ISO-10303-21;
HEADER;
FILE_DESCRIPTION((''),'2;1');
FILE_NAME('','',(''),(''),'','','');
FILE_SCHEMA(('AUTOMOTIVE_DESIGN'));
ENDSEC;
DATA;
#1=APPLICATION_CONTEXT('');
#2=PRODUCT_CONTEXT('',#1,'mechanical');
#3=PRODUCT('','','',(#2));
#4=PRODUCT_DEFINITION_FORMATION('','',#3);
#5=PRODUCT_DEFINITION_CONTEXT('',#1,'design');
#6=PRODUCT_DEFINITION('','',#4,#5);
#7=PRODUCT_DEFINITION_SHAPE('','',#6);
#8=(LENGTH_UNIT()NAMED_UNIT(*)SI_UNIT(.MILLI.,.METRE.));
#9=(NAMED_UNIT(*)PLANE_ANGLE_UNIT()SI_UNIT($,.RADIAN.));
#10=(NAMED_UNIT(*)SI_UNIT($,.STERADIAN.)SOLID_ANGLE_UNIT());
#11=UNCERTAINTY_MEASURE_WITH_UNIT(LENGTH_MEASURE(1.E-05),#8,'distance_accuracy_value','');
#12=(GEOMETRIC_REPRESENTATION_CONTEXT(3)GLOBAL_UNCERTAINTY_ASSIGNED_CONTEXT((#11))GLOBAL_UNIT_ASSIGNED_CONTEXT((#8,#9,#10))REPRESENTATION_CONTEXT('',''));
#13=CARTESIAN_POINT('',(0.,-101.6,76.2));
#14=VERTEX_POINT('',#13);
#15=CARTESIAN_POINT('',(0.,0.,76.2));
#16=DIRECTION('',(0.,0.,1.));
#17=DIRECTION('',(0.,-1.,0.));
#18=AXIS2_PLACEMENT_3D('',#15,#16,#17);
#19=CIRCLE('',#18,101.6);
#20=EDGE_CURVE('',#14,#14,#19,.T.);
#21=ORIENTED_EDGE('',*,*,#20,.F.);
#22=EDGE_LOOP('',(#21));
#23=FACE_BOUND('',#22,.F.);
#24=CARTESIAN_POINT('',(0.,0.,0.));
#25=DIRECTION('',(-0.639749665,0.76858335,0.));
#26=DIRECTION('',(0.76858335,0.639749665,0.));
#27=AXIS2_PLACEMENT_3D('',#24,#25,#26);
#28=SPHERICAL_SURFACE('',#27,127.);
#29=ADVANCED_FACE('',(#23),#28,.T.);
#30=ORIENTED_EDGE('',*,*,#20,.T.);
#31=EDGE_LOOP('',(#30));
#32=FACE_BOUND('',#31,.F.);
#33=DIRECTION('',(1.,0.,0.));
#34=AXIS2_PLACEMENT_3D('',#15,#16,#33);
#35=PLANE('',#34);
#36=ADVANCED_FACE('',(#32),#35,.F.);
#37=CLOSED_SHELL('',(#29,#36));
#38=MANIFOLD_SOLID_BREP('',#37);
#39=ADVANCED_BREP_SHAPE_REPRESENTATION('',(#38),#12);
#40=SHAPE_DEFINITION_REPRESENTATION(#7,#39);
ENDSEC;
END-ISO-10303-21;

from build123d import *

# Parameters (mm, degrees)
F3_W     = 254
F3_H     = 254
F4_DEPTH = 217.12075


with BuildPart() as f1:
    # F0 (on Top) → F1 (revolve)
    with BuildSketch(Plane.XY):
        with BuildLine():
            ThreePointArc((81.2482075132, -97.610085421), (114.9946136873, -53.9002673733), (127, 0))
            ThreePointArc((127, 0), (53.9002673733, 114.9946136873), (-81.2482075132, 97.610085421))
            Line((-81.2482075132, 97.610085421), (0, 0))
            Line((0, 0), (81.2482075132, -97.610085421))
        make_face()
    revolve(axis=Axis((40.6241037566, -48.8050427105, 0), (0.6397496655, -0.7685833498, 0)))

    # F3 (on offset) → F4 (cut)
    with BuildSketch(Plane.XY.offset(76.2)):
        Rectangle(F3_W, F3_H)
    extrude(amount=-F4_DEPTH, mode=Mode.SUBTRACT)


solid = f1.part
